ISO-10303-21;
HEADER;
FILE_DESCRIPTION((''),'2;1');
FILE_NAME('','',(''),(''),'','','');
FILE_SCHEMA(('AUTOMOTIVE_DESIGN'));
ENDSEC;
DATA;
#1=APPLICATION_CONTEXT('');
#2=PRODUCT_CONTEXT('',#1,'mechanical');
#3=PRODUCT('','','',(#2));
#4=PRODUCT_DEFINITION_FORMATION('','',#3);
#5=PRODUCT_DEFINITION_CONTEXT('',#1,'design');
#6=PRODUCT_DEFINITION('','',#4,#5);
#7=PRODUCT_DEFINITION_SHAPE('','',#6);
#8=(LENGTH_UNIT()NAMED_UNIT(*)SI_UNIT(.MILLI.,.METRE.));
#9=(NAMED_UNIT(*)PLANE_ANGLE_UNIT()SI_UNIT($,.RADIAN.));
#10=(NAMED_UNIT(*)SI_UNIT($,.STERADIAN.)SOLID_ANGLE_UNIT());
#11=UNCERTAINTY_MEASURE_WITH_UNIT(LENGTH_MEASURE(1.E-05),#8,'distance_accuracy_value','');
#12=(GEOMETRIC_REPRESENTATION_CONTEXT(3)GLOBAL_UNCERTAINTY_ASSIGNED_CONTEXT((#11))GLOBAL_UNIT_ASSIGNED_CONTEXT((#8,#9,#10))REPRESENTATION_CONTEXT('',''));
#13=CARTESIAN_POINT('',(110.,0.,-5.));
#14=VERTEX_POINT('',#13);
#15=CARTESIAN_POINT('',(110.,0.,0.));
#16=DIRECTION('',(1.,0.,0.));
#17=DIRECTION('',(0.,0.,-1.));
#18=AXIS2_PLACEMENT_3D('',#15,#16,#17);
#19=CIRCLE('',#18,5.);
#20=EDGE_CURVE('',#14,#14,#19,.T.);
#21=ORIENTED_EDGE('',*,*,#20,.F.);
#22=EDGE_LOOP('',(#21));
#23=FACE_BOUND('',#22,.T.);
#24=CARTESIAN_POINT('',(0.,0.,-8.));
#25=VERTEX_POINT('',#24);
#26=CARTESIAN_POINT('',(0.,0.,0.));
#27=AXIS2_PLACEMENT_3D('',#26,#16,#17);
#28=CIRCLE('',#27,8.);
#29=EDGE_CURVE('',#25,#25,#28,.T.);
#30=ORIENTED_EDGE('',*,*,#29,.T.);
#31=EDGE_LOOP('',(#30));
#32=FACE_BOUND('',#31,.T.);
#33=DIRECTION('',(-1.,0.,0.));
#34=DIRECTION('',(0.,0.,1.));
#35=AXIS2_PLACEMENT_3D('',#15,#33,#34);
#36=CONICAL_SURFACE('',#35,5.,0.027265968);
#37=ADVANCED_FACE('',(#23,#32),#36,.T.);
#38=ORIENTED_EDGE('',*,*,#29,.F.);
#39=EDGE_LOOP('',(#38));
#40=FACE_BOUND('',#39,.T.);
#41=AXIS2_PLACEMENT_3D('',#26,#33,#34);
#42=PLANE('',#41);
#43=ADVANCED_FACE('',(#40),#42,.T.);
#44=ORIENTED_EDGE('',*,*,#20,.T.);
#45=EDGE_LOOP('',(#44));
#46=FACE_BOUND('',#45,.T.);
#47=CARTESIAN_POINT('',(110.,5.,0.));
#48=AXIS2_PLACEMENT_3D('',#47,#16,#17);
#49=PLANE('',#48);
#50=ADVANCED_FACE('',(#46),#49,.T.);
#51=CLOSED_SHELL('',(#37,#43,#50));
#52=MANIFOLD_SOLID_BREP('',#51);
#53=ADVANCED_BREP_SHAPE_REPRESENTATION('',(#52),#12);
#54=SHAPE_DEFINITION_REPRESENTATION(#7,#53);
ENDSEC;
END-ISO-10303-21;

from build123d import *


with BuildPart() as part:
    # Sketch1 → Revolve1 (revolve)
    with BuildSketch(Plane.XY, mode=Mode.PRIVATE) as revolve1_sk:
        Polygon((0, 0), (0, 8), (110, 5), (110, 0), align=None)
    revolve(revolve1_sk.sketch.rotate(Axis((0, 0, 0), (-1, 0, 0)), 90), axis=Axis((0, 0, 0), (-1, 0, 0)))


solid = part.part
